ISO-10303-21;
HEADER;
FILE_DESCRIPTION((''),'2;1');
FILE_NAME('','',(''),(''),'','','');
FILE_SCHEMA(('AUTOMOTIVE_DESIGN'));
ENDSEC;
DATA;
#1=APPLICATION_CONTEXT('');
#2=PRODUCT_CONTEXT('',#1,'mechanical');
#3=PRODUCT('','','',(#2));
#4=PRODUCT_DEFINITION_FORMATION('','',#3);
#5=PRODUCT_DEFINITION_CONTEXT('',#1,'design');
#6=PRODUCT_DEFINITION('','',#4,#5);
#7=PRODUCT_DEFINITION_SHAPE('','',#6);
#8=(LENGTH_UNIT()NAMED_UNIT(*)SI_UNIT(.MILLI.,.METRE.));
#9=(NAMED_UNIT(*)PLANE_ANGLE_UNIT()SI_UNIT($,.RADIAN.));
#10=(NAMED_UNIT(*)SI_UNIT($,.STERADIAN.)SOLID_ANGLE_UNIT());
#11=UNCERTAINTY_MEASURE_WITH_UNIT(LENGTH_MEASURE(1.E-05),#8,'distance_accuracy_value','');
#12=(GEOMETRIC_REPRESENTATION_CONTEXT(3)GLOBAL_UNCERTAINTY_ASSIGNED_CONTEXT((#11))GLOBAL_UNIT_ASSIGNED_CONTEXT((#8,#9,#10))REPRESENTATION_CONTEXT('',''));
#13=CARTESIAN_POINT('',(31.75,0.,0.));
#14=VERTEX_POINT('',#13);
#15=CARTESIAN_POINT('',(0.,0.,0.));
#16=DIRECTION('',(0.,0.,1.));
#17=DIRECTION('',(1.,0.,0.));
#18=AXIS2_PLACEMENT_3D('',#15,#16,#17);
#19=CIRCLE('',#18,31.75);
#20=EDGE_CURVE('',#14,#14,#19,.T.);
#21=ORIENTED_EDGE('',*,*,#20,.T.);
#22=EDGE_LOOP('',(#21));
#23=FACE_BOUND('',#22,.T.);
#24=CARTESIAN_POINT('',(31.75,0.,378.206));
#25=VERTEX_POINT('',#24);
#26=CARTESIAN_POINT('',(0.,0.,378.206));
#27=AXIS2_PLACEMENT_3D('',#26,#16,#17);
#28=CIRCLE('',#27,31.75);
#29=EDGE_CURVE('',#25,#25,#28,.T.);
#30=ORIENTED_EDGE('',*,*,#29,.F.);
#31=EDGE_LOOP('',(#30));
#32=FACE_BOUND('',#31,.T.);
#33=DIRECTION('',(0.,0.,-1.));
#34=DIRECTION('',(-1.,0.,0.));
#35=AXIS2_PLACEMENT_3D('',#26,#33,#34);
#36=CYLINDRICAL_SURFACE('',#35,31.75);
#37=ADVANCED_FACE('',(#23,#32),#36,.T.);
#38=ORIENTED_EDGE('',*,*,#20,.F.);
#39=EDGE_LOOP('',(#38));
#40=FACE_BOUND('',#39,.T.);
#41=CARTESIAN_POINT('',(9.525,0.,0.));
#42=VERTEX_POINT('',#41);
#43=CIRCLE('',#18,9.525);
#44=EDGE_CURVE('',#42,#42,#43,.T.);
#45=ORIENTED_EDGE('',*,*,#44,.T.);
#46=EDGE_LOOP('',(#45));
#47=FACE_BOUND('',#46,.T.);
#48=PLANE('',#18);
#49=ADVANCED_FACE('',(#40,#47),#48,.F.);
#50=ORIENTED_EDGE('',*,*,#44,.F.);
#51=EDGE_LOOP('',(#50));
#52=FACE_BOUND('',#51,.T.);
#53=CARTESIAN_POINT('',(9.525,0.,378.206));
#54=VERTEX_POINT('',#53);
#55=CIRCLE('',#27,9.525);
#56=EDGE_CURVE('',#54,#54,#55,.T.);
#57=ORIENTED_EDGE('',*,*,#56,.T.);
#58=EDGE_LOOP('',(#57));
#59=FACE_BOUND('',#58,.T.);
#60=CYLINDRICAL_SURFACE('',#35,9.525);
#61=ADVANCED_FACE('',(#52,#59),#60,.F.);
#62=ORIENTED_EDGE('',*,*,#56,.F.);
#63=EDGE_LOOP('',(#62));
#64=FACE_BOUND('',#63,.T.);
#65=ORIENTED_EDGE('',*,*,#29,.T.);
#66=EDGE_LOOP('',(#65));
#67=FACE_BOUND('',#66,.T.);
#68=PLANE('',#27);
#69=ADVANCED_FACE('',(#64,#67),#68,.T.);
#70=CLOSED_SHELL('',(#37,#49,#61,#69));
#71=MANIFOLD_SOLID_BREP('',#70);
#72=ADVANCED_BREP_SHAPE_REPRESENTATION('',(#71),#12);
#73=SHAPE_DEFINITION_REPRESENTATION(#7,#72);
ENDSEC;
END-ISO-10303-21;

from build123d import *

# Parameters (mm, degrees)
SKETCH1_R           = 31.75
SKETCH1_R_2         = 9.525
BOSS_EXTRUDE1_DEPTH = 378.206


with BuildPart() as part:
    # Sketch1 → Boss-Extrude1 (new body)
    with BuildSketch(Plane.XY):
        Circle(SKETCH1_R)
        Circle(SKETCH1_R_2, mode=Mode.SUBTRACT)
    extrude(amount=BOSS_EXTRUDE1_DEPTH)


solid = part.part
